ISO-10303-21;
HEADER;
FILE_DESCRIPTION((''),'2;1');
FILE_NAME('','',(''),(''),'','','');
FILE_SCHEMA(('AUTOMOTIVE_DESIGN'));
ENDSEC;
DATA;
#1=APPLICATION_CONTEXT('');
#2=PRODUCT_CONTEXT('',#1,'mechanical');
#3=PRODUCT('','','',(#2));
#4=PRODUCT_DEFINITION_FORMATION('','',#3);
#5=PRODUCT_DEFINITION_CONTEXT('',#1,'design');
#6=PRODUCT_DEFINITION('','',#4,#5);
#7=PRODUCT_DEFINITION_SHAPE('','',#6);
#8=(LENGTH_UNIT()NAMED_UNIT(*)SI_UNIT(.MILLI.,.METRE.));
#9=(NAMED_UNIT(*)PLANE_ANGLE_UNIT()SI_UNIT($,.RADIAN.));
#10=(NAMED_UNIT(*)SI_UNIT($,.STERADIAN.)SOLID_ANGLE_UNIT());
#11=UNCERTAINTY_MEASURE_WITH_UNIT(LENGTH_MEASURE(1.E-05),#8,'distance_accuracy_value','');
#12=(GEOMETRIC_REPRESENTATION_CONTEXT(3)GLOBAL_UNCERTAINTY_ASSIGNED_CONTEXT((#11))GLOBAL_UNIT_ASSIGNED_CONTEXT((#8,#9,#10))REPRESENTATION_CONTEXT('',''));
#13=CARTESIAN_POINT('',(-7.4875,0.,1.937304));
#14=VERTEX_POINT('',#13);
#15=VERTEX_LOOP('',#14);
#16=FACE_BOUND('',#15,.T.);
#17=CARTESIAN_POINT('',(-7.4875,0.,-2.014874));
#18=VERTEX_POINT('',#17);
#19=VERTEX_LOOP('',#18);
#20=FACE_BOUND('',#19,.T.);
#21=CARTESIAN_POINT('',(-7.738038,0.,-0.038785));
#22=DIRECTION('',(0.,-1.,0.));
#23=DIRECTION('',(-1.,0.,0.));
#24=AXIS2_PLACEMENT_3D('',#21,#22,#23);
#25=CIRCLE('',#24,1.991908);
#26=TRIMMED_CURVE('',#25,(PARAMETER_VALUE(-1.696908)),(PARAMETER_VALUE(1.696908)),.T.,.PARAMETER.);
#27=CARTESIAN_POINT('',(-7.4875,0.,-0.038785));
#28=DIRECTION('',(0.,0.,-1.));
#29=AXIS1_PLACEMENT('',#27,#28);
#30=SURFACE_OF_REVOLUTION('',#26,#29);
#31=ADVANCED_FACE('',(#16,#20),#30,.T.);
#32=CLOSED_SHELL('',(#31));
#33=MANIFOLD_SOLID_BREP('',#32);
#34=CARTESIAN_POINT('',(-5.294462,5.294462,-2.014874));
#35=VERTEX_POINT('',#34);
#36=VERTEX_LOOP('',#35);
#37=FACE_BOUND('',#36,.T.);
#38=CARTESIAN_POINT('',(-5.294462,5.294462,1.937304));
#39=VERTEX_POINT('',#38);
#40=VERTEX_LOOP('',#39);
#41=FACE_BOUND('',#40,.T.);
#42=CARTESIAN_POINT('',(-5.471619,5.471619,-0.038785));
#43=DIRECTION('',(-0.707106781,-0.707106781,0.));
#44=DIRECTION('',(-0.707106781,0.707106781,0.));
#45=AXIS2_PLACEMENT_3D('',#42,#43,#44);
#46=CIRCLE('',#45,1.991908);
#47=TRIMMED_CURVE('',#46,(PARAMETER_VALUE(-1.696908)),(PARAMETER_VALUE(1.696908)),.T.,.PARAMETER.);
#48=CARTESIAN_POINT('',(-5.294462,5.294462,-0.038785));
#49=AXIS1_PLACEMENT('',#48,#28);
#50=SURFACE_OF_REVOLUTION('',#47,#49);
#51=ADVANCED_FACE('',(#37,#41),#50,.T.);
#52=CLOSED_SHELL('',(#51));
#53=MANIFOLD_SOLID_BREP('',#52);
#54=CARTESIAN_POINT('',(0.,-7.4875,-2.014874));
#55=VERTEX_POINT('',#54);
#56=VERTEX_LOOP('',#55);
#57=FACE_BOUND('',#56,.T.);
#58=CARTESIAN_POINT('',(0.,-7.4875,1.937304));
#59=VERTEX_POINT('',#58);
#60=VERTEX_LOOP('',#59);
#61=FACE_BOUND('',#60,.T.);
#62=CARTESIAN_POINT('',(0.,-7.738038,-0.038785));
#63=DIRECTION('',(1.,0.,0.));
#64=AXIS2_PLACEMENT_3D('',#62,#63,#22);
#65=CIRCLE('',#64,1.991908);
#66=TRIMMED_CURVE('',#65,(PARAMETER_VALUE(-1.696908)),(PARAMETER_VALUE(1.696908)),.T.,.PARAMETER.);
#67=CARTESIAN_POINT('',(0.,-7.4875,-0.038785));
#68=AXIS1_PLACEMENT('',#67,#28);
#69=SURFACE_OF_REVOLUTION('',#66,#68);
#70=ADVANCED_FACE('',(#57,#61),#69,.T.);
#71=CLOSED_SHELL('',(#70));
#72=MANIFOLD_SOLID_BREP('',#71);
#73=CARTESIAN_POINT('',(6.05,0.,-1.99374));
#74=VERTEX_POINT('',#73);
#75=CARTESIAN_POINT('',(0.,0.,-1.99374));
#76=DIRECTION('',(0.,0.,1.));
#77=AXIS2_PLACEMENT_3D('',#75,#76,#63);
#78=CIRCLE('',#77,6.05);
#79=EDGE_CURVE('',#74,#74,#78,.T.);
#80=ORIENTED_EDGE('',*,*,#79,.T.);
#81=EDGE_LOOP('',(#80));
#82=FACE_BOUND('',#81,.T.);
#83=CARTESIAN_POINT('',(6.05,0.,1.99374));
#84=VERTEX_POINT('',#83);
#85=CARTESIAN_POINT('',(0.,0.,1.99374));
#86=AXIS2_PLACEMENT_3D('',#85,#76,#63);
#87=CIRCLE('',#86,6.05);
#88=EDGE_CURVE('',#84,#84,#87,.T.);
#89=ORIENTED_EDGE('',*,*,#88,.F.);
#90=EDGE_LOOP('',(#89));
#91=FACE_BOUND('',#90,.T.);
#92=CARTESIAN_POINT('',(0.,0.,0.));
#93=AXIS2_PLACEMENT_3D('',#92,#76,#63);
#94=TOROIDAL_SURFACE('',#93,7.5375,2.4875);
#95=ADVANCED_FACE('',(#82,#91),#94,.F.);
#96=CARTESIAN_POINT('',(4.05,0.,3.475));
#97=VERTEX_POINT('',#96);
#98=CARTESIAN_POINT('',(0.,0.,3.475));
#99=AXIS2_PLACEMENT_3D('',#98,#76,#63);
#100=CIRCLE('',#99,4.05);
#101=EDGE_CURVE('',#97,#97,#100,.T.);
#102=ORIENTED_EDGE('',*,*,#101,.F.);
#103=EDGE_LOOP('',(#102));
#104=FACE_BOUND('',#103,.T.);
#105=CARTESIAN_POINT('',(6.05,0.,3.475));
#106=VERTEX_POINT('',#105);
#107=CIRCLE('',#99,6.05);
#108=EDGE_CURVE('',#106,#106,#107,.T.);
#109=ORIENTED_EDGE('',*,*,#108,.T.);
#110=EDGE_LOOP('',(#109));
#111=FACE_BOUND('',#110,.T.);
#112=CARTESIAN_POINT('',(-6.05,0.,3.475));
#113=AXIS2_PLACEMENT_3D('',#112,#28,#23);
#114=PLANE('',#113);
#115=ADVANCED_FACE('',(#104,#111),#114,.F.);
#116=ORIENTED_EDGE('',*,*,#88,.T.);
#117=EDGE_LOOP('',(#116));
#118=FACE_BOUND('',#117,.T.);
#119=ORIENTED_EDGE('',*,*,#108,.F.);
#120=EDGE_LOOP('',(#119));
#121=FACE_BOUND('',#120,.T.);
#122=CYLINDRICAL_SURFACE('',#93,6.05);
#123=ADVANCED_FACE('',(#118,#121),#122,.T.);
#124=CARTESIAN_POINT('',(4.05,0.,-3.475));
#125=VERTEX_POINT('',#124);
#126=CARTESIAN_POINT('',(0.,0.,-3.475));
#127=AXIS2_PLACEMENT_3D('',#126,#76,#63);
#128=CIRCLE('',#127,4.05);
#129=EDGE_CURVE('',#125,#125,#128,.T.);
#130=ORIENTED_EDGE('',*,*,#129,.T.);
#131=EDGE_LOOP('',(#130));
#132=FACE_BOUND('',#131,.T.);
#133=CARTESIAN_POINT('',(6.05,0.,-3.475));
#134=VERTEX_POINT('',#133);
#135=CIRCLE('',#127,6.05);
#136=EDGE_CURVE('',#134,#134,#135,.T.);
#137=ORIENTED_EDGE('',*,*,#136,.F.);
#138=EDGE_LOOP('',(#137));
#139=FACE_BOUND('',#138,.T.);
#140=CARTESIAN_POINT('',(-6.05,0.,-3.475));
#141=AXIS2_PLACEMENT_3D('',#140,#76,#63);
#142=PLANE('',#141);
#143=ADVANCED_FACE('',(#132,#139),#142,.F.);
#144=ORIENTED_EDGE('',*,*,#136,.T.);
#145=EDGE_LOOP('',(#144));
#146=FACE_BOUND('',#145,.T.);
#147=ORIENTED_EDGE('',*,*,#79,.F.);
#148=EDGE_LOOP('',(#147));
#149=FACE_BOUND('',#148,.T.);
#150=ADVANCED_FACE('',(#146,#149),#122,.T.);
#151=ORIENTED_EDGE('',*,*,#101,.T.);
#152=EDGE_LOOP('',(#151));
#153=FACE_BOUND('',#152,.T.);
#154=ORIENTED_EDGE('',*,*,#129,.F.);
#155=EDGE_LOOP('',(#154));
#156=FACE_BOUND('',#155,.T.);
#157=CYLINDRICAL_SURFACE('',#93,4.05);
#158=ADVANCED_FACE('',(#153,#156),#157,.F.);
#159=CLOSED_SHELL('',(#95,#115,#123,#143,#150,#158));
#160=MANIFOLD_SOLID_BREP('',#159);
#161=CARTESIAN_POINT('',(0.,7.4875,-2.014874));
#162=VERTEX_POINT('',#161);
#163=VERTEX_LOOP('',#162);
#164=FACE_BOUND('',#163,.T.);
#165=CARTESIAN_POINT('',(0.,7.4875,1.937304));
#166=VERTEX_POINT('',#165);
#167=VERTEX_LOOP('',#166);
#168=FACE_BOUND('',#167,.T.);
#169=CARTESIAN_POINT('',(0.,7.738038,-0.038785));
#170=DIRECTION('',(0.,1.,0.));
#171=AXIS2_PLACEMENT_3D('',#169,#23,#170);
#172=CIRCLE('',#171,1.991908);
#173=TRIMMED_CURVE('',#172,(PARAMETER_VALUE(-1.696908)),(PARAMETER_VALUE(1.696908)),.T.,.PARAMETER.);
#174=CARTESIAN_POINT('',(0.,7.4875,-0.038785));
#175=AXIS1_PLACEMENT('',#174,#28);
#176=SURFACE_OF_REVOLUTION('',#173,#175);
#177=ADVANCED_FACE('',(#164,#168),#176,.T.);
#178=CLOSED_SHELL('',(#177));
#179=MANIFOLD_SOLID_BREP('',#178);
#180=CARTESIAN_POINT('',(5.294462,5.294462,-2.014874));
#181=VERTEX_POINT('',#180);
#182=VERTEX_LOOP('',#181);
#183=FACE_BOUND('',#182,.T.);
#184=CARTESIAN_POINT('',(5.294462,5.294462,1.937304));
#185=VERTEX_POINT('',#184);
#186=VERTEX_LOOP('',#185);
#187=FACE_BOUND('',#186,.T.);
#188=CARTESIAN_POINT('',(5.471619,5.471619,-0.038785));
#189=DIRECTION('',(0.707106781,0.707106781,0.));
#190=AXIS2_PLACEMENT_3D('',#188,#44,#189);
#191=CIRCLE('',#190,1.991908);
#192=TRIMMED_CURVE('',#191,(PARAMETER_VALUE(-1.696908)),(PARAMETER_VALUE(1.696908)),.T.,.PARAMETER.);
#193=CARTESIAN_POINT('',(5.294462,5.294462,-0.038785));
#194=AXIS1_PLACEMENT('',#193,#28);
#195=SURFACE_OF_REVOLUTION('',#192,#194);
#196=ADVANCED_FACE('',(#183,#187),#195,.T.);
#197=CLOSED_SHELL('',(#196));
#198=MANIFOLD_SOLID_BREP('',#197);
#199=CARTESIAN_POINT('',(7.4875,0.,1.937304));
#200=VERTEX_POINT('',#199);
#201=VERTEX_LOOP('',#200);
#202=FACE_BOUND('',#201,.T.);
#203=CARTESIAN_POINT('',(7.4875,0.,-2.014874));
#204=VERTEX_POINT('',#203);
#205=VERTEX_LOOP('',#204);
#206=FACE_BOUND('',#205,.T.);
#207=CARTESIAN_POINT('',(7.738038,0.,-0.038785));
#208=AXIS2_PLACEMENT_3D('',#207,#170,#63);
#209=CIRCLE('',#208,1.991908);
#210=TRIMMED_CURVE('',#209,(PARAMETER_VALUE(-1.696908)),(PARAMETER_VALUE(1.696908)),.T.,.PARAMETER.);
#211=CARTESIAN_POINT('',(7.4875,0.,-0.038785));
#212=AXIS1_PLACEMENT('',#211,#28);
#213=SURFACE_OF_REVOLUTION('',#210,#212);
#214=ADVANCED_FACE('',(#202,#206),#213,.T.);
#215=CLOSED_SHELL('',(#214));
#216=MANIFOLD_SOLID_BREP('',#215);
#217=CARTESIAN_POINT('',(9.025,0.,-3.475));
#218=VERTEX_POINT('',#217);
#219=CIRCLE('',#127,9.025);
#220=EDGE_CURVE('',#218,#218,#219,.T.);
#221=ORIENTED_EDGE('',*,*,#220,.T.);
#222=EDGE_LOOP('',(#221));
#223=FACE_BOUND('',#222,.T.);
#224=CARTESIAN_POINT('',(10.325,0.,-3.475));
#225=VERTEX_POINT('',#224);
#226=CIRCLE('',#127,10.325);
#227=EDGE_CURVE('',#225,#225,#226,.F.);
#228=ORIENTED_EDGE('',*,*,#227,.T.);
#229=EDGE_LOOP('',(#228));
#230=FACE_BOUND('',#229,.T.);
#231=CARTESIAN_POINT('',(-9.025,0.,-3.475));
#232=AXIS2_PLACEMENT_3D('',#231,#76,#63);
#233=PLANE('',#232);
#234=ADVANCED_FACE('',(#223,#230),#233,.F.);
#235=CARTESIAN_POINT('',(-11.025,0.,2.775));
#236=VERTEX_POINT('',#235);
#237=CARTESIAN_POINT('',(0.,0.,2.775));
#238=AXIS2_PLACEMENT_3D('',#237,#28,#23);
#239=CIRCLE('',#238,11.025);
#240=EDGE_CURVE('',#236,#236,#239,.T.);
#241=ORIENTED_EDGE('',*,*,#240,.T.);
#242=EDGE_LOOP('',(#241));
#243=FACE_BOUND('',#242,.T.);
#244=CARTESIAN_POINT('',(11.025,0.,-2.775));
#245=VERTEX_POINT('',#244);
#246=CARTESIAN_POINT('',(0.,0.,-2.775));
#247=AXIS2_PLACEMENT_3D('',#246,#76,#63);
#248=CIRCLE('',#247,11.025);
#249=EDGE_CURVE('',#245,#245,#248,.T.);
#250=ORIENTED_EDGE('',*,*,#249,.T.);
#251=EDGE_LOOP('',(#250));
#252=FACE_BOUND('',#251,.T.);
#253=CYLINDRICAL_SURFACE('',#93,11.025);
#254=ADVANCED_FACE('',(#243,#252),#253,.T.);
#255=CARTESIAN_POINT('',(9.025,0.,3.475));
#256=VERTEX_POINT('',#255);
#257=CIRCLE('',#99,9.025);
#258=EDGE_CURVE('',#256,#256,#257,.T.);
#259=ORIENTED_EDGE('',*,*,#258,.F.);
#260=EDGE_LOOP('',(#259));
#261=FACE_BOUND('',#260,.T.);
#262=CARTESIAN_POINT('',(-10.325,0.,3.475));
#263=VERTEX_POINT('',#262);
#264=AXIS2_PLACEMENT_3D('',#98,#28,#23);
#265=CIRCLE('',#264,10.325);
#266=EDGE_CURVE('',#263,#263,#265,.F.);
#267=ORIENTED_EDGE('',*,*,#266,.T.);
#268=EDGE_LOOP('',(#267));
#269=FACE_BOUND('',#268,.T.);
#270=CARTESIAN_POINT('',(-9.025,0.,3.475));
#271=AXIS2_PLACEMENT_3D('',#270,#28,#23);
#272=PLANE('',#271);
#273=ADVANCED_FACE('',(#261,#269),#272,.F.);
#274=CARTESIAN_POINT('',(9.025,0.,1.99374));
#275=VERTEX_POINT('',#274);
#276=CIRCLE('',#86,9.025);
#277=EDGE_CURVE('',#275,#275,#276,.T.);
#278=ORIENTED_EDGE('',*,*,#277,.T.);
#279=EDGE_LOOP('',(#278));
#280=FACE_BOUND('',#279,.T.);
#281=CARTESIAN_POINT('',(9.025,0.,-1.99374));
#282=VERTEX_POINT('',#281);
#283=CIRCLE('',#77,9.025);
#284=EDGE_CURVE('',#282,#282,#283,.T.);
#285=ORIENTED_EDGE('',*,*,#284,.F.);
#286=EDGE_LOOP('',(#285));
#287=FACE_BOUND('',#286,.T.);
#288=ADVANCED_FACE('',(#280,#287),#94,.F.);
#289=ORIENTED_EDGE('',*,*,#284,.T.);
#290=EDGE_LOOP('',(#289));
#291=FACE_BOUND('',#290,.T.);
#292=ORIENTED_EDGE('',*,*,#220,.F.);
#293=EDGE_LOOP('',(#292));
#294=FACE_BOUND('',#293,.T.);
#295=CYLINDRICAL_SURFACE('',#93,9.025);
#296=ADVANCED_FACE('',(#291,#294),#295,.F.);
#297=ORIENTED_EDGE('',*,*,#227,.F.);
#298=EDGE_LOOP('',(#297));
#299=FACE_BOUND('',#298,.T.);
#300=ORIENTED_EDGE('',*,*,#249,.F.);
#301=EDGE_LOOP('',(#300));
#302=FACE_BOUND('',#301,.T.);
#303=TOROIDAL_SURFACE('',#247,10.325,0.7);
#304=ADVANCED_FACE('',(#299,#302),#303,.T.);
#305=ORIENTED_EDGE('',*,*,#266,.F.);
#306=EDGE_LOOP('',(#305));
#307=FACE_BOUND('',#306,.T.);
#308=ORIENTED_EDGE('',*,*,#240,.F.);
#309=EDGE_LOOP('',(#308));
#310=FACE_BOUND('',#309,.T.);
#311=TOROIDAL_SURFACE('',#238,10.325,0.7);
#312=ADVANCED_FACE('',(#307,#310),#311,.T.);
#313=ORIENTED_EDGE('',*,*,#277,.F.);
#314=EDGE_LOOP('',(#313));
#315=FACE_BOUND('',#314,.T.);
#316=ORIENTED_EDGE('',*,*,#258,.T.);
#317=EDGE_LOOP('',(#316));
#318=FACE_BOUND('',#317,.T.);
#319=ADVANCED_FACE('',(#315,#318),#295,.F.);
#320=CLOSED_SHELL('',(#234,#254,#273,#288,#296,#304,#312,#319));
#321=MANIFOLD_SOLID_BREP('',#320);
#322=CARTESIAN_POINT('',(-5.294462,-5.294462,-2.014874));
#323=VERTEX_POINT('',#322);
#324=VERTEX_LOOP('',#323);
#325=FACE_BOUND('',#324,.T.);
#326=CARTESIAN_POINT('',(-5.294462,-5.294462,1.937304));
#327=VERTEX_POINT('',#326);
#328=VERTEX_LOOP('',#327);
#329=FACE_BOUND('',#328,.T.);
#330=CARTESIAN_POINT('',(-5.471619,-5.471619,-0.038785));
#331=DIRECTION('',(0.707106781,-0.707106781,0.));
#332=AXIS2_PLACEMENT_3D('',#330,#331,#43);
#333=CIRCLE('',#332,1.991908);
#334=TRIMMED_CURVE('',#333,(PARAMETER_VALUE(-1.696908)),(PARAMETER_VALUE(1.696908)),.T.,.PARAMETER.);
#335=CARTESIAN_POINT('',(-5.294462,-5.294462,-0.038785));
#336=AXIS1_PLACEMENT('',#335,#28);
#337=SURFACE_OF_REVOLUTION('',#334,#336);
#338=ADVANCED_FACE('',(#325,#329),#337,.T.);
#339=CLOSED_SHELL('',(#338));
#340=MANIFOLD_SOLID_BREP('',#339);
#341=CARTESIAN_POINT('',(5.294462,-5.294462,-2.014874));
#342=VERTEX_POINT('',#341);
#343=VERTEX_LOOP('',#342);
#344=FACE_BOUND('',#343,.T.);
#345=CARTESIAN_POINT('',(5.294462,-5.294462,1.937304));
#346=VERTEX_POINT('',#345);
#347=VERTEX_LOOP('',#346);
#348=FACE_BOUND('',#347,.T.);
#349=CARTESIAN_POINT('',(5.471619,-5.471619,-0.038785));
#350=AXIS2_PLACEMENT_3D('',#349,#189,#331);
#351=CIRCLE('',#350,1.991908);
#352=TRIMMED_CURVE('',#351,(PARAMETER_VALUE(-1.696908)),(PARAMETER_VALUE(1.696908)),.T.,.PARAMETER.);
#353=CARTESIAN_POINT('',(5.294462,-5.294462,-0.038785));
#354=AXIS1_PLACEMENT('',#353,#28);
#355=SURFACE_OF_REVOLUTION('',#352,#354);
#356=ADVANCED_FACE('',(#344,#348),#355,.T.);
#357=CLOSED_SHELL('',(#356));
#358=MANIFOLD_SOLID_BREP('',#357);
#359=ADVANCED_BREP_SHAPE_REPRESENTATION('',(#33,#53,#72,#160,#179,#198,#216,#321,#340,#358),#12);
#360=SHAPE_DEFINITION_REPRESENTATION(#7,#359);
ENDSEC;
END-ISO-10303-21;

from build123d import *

# Parameters (mm, degrees)
MATRIZC4_COUNT = 8
REDONDEO1_R    = 0.7


with BuildPart() as part:
    # Croquis4 → Revolución3 (revolve)
    with BuildSketch(Plane(origin=(0, 0, 0), x_dir=(1, 0, 0), z_dir=(0, 1, 0))):
        with BuildLine():
            Line((-7.4875, 2.014873537), (-7.4875, -1.937303769))
            ThreePointArc((-7.4875, -1.937303769), (-5.245054709, 0.038784884), (-7.4875, 2.014873537))
        make_face()
    revolve(axis=Axis((-7.4875, 0, -2.014873537), (0, 0, 1)))


with BuildPart() as body_2:
    # Croquis3 → Revolución4 (revolve)
    with BuildSketch(Plane(origin=(0, 0, 0), x_dir=(1, 0, 0), z_dir=(0, 1, 0)), mode=Mode.PRIVATE) as revoluci_n4_sk:
        with BuildLine():
            Line((-9.025, 3.475), (-11.025, 3.475))
            Line((-11.025, 3.475), (-11.025, -3.475))
            Line((-11.025, -3.475), (-9.025, -3.475))
            Line((-9.025, -3.475), (-9.025, -1.993740204))
            ThreePointArc((-9.025, -1.993740204), (-10.025, 0), (-9.025, 1.993740204))
            Line((-9.025, 1.993740204), (-9.025, 3.475))
        make_face()
        with BuildLine():
            Line((-6.05, 3.475), (-4.05, 3.475))
            Line((-4.05, 3.475), (-4.05, -3.475))
            Line((-4.05, -3.475), (-6.05, -3.475))
            Line((-6.05, -3.475), (-6.05, -1.993740204))
            ThreePointArc((-6.05, -1.993740204), (-5.05, 0), (-6.05, 1.993740204))
            Line((-6.05, 1.993740204), (-6.05, 3.475))
        make_face()
    revolve(revoluci_n4_sk.sketch.rotate(Axis((0, 0, 0), (0, 0, -1)), 180), axis=Axis((0, 0, 0), (0, 0, -1)))

    # Redondeo1
    redondeo1_edges = [body_2.edges().sort_by_distance(p)[0] for p in [
        (-11.025, 0, -3.475),
        (-11.025, 0, 3.475),
    ]]
    fillet(redondeo1_edges, radius=REDONDEO1_R)


with BuildPart() as matrizc4_1:
    # MatrizC4: pattern copy
    add(part.part.rotate(Axis((0, 0, 0), (0, 0, 1)), 1 * 360 / MATRIZC4_COUNT))


with BuildPart() as matrizc4_2:
    # MatrizC4: pattern copy
    add(part.part.rotate(Axis((0, 0, 0), (0, 0, 1)), 2 * 360 / MATRIZC4_COUNT))


with BuildPart() as matrizc4_3:
    # MatrizC4: pattern copy
    add(part.part.rotate(Axis((0, 0, 0), (0, 0, 1)), 3 * 360 / MATRIZC4_COUNT))


with BuildPart() as matrizc4_4:
    # MatrizC4: pattern copy
    add(part.part.rotate(Axis((0, 0, 0), (0, 0, 1)), 4 * 360 / MATRIZC4_COUNT))


with BuildPart() as matrizc4_5:
    # MatrizC4: pattern copy
    add(part.part.rotate(Axis((0, 0, 0), (0, 0, 1)), 5 * 360 / MATRIZC4_COUNT))


with BuildPart() as matrizc4_6:
    # MatrizC4: pattern copy
    add(part.part.rotate(Axis((0, 0, 0), (0, 0, 1)), 6 * 360 / MATRIZC4_COUNT))


with BuildPart() as matrizc4_7:
    # MatrizC4: pattern copy
    add(part.part.rotate(Axis((0, 0, 0), (0, 0, 1)), 7 * 360 / MATRIZC4_COUNT))


solid = Compound([part.part, body_2.part, matrizc4_1.part, matrizc4_2.part, matrizc4_3.part, matrizc4_4.part, matrizc4_5.part, matrizc4_6.part, matrizc4_7.part])
